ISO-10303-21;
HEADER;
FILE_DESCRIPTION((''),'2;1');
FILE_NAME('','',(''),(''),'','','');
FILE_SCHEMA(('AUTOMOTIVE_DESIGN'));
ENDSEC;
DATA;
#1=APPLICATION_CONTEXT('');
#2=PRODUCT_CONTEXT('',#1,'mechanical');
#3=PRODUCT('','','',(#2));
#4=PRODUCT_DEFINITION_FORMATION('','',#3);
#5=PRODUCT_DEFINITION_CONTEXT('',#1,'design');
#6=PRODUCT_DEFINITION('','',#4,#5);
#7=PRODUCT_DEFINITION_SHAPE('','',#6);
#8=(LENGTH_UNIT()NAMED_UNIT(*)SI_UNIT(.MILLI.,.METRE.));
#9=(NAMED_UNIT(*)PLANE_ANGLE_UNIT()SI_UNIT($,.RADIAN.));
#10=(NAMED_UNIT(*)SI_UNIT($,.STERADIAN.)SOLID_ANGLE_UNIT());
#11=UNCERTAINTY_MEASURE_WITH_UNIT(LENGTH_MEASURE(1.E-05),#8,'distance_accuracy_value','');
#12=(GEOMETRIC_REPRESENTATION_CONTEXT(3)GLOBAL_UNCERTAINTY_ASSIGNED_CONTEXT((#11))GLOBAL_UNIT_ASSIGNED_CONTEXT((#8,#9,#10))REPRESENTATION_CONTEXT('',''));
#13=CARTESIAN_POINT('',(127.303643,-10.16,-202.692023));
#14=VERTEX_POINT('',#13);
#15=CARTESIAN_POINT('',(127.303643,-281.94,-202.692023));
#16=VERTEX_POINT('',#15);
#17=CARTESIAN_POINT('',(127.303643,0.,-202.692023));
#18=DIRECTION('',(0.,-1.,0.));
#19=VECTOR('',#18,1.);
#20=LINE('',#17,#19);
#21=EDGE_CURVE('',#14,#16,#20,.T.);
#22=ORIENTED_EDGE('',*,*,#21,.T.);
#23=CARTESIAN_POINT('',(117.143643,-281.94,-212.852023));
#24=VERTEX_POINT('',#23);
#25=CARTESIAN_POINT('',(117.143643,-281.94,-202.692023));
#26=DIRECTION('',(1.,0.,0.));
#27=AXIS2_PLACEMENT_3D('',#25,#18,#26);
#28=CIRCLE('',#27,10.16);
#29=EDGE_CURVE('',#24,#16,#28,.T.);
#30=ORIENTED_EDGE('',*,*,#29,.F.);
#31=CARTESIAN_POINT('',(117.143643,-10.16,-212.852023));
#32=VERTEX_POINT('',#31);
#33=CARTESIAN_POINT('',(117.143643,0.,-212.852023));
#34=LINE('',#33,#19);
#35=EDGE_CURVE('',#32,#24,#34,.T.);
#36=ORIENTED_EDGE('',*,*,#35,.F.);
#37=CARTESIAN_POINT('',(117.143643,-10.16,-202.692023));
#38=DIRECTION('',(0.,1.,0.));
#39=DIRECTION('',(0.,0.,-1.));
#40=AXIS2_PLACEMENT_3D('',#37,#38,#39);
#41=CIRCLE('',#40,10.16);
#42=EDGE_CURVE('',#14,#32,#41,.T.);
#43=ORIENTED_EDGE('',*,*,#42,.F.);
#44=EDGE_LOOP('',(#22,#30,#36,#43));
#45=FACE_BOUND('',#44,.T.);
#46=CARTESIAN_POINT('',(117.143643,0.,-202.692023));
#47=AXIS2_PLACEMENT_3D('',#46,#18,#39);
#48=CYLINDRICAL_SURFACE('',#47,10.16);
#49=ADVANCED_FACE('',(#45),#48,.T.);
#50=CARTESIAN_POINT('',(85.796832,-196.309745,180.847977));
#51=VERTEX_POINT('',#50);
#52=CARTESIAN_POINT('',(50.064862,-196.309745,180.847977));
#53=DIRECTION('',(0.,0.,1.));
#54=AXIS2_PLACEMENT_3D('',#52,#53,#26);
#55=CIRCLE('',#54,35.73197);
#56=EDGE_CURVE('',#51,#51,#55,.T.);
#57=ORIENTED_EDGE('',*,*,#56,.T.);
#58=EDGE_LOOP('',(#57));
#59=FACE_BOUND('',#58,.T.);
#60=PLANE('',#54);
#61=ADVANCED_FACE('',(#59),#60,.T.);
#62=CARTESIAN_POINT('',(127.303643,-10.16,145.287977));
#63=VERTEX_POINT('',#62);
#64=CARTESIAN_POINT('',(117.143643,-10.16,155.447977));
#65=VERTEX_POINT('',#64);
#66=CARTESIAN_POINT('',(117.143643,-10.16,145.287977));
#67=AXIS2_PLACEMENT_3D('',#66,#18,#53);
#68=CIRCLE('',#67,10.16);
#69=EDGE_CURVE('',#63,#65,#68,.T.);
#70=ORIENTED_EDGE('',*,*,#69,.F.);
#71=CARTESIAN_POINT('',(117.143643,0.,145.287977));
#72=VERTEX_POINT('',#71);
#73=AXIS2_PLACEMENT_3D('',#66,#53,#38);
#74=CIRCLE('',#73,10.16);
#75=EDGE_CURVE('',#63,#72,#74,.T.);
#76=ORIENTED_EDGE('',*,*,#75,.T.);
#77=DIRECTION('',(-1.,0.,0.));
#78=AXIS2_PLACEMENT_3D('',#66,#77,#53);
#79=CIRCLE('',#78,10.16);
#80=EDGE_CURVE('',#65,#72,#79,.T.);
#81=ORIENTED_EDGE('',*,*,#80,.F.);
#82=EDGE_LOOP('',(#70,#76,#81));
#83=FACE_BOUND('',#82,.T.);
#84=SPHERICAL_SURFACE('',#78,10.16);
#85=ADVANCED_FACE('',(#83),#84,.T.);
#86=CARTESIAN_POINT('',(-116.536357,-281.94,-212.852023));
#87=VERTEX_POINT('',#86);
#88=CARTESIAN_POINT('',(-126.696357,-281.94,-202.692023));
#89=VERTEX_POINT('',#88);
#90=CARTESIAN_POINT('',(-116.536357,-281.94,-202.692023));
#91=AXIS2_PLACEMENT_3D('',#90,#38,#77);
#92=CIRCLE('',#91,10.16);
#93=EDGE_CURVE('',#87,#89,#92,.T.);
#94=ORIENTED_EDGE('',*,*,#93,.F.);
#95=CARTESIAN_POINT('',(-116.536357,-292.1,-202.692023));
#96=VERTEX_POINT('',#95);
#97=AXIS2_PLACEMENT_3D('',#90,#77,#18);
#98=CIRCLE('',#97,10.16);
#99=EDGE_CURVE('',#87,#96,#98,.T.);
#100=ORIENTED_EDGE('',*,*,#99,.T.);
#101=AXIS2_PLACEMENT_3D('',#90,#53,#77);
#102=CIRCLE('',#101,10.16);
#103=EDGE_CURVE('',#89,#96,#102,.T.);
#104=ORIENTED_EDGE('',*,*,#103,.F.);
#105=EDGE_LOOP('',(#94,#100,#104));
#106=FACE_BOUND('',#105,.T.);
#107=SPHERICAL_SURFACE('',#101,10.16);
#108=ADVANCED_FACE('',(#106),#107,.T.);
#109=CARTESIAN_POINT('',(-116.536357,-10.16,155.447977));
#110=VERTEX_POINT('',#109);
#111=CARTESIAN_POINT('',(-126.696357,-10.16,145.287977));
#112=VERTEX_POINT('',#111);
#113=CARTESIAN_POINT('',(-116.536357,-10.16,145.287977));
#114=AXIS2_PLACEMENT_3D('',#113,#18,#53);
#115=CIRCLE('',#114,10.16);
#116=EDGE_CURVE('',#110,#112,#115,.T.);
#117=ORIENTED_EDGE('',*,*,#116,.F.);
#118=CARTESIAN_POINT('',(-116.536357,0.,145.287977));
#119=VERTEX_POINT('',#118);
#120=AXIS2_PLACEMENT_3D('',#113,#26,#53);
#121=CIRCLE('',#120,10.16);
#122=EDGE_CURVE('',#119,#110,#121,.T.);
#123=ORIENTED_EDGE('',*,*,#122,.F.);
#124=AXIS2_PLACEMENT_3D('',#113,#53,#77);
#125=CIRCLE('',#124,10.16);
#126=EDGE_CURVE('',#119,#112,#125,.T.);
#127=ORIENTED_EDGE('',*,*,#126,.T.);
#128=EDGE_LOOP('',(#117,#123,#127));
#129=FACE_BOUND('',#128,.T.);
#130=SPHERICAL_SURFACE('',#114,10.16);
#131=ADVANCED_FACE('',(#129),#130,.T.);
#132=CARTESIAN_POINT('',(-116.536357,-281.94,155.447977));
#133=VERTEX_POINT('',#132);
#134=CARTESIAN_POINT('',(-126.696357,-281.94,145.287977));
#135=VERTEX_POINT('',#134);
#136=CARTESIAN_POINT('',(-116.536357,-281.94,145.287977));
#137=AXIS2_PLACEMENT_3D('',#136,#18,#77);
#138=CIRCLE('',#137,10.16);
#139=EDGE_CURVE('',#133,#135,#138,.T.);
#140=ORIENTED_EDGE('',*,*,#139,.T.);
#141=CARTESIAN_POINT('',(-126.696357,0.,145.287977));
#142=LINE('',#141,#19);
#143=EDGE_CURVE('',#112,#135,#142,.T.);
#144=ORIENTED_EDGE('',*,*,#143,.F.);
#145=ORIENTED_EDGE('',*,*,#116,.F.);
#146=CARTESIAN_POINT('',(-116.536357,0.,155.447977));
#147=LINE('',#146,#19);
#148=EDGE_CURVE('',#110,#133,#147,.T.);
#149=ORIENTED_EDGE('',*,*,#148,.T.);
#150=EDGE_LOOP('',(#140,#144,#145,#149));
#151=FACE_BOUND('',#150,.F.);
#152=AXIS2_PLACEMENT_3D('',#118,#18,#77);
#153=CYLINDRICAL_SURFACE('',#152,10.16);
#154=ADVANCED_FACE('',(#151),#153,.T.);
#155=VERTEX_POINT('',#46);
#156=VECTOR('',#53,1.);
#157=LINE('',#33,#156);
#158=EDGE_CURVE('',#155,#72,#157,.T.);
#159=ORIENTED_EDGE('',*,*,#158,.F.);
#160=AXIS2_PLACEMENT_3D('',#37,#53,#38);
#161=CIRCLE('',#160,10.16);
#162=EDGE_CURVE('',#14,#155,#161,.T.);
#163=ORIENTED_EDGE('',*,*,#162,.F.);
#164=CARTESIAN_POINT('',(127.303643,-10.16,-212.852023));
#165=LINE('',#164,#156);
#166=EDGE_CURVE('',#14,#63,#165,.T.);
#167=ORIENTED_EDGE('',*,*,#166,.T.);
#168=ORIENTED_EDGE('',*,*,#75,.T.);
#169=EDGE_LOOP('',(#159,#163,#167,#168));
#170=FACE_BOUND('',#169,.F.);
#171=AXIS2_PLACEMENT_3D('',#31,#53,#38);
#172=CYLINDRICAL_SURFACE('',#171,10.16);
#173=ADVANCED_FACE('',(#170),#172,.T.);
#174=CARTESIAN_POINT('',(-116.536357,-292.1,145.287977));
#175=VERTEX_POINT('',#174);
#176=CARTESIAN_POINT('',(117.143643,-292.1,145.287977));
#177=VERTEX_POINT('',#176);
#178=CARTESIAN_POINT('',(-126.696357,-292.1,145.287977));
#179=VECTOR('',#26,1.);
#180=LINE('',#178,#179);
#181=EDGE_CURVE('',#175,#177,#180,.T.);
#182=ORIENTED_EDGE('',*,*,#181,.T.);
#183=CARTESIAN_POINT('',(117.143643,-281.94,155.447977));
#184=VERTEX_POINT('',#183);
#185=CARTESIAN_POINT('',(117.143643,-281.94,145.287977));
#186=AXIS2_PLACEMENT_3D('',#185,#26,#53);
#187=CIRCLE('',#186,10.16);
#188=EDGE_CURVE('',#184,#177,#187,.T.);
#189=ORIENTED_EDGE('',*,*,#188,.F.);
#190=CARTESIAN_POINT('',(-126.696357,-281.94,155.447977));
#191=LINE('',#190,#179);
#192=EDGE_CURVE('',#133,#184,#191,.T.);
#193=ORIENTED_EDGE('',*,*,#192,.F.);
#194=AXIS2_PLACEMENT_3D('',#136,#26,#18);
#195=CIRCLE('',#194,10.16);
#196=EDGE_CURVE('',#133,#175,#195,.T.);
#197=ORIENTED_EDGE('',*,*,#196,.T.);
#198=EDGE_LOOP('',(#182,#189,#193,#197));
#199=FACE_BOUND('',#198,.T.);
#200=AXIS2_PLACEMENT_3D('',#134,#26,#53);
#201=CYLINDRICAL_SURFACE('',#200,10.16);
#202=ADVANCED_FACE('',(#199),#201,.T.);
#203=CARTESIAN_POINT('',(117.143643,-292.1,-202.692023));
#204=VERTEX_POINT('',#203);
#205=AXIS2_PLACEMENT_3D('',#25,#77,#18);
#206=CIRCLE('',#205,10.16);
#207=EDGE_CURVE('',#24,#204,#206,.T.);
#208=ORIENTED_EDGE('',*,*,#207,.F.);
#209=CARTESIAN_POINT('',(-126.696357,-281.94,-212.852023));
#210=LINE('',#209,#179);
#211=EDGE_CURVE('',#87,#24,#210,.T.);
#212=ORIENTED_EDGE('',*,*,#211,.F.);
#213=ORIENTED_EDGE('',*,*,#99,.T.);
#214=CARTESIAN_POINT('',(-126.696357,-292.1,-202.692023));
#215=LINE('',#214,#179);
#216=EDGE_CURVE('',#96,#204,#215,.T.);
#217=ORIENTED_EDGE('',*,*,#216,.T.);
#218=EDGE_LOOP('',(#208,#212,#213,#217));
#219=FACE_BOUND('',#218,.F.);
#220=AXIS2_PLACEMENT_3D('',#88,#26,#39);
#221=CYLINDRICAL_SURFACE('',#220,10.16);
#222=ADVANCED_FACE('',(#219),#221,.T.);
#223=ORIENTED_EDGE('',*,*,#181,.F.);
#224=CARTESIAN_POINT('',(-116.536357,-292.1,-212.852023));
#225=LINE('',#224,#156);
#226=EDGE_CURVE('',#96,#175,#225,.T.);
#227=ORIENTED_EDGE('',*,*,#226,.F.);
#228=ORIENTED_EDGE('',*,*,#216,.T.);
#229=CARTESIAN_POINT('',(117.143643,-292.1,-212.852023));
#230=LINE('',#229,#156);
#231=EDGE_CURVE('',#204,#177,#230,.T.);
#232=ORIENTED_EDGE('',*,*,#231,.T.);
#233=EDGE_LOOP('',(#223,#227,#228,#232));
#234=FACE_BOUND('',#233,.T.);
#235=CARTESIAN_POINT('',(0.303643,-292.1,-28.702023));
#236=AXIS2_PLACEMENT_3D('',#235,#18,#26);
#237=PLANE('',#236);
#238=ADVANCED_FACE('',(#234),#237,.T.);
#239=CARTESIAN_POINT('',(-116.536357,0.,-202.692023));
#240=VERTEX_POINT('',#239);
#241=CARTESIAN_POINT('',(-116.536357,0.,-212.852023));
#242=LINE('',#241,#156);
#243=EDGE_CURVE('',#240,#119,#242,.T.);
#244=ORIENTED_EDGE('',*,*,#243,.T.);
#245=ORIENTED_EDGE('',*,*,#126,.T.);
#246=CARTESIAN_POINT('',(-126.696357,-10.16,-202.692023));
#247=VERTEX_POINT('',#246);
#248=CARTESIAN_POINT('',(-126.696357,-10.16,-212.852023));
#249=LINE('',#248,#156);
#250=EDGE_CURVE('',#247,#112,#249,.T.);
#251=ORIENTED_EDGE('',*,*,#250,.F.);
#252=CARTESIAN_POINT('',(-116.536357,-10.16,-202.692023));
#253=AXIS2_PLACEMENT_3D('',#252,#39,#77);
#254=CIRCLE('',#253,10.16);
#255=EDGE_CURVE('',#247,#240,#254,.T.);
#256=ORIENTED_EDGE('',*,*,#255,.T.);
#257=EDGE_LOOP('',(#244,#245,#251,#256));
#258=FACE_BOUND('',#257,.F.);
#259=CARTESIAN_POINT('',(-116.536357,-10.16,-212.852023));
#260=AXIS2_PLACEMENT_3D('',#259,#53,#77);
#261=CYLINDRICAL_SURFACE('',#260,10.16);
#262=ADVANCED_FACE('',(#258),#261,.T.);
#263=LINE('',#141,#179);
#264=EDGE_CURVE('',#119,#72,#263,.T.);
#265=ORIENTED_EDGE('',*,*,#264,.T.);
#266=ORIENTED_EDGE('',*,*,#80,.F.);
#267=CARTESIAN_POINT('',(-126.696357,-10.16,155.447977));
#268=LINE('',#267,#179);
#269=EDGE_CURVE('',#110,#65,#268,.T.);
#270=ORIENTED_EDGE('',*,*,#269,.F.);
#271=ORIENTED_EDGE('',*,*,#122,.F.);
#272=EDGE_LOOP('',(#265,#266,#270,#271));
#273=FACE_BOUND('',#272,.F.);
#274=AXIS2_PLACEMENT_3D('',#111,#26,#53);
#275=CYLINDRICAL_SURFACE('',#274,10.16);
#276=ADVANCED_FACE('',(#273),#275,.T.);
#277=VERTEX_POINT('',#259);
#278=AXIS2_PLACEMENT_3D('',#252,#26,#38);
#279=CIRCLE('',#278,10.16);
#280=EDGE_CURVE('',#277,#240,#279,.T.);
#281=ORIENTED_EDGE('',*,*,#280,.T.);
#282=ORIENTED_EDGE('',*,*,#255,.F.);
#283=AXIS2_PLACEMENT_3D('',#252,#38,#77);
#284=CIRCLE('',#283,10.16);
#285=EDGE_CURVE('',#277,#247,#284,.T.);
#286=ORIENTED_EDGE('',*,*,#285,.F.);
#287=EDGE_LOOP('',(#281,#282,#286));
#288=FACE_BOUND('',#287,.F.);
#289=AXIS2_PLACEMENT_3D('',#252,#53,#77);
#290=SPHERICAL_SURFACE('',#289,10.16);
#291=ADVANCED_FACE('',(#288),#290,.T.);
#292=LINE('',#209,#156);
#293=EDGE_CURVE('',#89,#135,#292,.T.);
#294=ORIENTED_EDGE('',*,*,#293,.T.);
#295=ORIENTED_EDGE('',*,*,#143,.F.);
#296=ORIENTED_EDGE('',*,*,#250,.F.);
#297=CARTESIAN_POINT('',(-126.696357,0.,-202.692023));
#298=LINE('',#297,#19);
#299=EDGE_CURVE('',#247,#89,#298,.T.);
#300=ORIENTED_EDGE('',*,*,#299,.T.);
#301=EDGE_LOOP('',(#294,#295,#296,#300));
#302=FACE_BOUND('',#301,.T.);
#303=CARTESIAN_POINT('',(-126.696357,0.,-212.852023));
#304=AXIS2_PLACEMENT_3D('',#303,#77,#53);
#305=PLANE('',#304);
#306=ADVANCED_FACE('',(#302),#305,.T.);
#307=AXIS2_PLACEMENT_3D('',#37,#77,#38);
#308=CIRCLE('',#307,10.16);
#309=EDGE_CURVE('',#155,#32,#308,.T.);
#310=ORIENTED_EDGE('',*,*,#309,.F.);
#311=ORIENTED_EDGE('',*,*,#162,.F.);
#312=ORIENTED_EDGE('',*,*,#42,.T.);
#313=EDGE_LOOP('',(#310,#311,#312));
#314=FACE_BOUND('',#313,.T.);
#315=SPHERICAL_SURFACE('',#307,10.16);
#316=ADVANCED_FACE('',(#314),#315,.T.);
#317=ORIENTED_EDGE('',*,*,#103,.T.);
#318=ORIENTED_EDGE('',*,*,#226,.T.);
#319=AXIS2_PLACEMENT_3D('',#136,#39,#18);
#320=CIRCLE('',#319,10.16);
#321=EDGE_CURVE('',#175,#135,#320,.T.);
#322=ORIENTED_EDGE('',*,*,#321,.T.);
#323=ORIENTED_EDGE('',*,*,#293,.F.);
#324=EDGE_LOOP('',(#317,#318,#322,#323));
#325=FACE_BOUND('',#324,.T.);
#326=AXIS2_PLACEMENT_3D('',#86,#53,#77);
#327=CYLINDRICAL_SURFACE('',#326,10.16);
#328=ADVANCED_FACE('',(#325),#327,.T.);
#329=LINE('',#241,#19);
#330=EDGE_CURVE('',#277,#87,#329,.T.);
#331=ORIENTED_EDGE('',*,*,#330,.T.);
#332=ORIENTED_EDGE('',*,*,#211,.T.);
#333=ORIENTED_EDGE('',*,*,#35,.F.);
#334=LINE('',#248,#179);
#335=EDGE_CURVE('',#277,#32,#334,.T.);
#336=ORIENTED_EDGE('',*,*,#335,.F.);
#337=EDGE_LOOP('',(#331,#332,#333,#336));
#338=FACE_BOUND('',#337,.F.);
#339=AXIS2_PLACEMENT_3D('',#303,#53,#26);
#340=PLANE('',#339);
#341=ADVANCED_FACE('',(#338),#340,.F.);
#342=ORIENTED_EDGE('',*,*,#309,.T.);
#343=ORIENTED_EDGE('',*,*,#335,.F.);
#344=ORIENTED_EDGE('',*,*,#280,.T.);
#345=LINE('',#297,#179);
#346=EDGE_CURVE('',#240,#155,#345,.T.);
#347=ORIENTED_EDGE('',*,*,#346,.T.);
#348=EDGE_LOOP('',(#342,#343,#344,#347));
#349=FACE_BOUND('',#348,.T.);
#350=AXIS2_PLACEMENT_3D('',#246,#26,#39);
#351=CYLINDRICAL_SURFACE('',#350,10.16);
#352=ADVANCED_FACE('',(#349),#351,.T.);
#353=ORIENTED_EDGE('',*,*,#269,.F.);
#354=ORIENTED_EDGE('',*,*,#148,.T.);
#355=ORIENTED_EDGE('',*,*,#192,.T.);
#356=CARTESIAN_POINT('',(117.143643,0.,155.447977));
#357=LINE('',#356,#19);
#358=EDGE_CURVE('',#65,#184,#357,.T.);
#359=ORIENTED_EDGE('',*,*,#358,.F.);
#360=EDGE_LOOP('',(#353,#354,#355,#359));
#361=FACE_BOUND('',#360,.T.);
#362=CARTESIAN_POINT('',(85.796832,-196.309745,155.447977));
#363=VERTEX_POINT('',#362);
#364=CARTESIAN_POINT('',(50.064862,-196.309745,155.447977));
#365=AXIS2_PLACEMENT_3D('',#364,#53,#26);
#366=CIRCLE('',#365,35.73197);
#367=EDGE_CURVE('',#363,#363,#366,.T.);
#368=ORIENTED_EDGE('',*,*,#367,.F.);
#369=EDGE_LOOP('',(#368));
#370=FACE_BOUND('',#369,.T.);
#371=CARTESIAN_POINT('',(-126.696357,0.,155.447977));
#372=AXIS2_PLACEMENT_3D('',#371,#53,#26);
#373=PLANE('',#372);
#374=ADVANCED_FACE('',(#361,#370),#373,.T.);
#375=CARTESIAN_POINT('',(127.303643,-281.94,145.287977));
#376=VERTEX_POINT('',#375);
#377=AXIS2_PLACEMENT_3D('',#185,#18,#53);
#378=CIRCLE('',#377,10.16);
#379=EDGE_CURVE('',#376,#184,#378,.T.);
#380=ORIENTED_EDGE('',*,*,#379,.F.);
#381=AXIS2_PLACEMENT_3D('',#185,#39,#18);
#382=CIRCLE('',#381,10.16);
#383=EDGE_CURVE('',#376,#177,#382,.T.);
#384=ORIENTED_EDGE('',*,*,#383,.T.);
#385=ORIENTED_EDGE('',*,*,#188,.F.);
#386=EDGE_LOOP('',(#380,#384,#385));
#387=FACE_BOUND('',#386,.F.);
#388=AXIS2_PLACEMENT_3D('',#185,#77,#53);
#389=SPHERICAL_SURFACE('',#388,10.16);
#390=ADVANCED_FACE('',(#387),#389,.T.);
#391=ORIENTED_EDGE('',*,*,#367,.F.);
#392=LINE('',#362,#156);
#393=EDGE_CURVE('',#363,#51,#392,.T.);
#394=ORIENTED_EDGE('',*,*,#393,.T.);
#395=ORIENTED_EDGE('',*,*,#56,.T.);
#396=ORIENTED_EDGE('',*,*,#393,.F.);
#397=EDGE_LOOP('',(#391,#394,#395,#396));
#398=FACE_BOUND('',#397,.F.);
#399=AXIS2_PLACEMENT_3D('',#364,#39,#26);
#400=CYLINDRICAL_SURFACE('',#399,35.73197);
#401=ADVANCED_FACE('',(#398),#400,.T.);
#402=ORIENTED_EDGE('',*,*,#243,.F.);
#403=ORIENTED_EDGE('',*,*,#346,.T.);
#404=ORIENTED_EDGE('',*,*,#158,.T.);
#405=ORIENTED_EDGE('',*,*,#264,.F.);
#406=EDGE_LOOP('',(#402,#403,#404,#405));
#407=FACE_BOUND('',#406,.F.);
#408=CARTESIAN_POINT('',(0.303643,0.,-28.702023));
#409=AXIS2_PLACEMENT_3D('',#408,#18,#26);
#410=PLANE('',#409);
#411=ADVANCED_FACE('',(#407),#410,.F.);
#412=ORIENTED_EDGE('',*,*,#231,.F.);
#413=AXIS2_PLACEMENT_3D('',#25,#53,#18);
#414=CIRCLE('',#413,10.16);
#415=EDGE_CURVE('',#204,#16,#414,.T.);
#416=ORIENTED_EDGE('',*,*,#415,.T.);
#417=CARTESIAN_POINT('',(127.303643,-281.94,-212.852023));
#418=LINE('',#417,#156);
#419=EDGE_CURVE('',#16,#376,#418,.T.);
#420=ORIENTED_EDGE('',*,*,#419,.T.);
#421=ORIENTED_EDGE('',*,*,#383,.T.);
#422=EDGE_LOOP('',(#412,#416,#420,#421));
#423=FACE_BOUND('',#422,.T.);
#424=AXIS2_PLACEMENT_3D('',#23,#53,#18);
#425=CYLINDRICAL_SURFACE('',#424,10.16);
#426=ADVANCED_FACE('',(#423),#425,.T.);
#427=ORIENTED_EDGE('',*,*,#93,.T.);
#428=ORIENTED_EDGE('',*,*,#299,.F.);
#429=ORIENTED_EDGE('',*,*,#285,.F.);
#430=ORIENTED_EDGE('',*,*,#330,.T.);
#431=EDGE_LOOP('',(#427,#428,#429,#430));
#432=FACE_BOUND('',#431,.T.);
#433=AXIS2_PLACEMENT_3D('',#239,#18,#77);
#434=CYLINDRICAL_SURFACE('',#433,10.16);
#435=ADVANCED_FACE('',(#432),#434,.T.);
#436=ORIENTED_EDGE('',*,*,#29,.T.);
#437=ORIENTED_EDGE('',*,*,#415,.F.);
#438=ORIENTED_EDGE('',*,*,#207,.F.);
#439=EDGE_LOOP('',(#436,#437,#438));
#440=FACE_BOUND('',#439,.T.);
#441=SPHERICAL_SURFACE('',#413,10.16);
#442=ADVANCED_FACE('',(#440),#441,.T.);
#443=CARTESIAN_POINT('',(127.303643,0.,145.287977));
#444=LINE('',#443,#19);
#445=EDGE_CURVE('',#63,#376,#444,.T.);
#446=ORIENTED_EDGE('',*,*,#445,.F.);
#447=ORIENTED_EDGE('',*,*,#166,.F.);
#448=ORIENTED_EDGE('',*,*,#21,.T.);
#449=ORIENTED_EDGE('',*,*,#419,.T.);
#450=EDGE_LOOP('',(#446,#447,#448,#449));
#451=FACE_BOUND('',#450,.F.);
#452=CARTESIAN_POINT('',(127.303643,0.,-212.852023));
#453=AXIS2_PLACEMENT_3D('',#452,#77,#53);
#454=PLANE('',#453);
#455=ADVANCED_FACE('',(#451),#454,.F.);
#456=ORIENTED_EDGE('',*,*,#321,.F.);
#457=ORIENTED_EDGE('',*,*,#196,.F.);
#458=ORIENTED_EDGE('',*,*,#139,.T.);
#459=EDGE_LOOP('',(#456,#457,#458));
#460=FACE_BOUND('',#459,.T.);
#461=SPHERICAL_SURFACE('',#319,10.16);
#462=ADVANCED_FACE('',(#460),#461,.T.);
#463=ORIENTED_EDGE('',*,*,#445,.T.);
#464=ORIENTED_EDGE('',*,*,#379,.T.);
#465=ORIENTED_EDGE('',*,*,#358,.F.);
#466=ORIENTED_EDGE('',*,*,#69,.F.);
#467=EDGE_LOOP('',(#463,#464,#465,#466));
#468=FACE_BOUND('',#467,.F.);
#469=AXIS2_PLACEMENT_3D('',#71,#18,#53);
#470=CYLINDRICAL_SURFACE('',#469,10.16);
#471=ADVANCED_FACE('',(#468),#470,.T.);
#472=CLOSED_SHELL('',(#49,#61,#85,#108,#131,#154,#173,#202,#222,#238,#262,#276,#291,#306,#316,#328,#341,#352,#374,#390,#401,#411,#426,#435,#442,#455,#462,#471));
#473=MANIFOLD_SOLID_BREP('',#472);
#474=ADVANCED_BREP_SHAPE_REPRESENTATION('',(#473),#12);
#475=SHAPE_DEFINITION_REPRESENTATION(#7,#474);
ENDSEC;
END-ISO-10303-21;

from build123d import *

# Parameters (mm, degrees)
F0_W     = 254
F0_H     = 368.3
F1_DEPTH = 292.1
F2_R     = 35.73197
F3_DEPTH = 25.4
F4_R     = 10.16


with BuildPart() as f1:
    # F0 (on Front) → F1 (new body)
    with BuildSketch(Plane.XZ):
        with Locations((0.303643, -28.702023)):
            Rectangle(F0_W, F0_H)
    extrude(amount=F1_DEPTH)

    # F2 (on face) → F3 (join)
    with BuildSketch(Plane.XY.offset(155.447977)):
        with Locations((50.064862, -196.309745)):
            Circle(F2_R)
    extrude(amount=F3_DEPTH)

    # F4
    f4_edges = [f1.edges().sort_by_distance(p)[0] for p in [
        (-126.696357, -292.1, -28.702023),
        (0.303643, -292.1, 155.447977),
        (-126.696357, -146.05, 155.447977),
        (0.303643, 0, 155.447977),
        (127.303643, -146.05, 155.447977),
        (-126.696357, 0, -28.702023),
        (-126.696357, -146.05, -212.852023),
        (0.303643, 0, -212.852023),
        (127.303643, 0, -28.702023),
        (127.303643, -292.1, -28.702023),
        (0.303643, -292.1, -212.852023),
        (127.303643, -146.05, -212.852023),
    ]]
    fillet(f4_edges, radius=F4_R)


solid = f1.part
